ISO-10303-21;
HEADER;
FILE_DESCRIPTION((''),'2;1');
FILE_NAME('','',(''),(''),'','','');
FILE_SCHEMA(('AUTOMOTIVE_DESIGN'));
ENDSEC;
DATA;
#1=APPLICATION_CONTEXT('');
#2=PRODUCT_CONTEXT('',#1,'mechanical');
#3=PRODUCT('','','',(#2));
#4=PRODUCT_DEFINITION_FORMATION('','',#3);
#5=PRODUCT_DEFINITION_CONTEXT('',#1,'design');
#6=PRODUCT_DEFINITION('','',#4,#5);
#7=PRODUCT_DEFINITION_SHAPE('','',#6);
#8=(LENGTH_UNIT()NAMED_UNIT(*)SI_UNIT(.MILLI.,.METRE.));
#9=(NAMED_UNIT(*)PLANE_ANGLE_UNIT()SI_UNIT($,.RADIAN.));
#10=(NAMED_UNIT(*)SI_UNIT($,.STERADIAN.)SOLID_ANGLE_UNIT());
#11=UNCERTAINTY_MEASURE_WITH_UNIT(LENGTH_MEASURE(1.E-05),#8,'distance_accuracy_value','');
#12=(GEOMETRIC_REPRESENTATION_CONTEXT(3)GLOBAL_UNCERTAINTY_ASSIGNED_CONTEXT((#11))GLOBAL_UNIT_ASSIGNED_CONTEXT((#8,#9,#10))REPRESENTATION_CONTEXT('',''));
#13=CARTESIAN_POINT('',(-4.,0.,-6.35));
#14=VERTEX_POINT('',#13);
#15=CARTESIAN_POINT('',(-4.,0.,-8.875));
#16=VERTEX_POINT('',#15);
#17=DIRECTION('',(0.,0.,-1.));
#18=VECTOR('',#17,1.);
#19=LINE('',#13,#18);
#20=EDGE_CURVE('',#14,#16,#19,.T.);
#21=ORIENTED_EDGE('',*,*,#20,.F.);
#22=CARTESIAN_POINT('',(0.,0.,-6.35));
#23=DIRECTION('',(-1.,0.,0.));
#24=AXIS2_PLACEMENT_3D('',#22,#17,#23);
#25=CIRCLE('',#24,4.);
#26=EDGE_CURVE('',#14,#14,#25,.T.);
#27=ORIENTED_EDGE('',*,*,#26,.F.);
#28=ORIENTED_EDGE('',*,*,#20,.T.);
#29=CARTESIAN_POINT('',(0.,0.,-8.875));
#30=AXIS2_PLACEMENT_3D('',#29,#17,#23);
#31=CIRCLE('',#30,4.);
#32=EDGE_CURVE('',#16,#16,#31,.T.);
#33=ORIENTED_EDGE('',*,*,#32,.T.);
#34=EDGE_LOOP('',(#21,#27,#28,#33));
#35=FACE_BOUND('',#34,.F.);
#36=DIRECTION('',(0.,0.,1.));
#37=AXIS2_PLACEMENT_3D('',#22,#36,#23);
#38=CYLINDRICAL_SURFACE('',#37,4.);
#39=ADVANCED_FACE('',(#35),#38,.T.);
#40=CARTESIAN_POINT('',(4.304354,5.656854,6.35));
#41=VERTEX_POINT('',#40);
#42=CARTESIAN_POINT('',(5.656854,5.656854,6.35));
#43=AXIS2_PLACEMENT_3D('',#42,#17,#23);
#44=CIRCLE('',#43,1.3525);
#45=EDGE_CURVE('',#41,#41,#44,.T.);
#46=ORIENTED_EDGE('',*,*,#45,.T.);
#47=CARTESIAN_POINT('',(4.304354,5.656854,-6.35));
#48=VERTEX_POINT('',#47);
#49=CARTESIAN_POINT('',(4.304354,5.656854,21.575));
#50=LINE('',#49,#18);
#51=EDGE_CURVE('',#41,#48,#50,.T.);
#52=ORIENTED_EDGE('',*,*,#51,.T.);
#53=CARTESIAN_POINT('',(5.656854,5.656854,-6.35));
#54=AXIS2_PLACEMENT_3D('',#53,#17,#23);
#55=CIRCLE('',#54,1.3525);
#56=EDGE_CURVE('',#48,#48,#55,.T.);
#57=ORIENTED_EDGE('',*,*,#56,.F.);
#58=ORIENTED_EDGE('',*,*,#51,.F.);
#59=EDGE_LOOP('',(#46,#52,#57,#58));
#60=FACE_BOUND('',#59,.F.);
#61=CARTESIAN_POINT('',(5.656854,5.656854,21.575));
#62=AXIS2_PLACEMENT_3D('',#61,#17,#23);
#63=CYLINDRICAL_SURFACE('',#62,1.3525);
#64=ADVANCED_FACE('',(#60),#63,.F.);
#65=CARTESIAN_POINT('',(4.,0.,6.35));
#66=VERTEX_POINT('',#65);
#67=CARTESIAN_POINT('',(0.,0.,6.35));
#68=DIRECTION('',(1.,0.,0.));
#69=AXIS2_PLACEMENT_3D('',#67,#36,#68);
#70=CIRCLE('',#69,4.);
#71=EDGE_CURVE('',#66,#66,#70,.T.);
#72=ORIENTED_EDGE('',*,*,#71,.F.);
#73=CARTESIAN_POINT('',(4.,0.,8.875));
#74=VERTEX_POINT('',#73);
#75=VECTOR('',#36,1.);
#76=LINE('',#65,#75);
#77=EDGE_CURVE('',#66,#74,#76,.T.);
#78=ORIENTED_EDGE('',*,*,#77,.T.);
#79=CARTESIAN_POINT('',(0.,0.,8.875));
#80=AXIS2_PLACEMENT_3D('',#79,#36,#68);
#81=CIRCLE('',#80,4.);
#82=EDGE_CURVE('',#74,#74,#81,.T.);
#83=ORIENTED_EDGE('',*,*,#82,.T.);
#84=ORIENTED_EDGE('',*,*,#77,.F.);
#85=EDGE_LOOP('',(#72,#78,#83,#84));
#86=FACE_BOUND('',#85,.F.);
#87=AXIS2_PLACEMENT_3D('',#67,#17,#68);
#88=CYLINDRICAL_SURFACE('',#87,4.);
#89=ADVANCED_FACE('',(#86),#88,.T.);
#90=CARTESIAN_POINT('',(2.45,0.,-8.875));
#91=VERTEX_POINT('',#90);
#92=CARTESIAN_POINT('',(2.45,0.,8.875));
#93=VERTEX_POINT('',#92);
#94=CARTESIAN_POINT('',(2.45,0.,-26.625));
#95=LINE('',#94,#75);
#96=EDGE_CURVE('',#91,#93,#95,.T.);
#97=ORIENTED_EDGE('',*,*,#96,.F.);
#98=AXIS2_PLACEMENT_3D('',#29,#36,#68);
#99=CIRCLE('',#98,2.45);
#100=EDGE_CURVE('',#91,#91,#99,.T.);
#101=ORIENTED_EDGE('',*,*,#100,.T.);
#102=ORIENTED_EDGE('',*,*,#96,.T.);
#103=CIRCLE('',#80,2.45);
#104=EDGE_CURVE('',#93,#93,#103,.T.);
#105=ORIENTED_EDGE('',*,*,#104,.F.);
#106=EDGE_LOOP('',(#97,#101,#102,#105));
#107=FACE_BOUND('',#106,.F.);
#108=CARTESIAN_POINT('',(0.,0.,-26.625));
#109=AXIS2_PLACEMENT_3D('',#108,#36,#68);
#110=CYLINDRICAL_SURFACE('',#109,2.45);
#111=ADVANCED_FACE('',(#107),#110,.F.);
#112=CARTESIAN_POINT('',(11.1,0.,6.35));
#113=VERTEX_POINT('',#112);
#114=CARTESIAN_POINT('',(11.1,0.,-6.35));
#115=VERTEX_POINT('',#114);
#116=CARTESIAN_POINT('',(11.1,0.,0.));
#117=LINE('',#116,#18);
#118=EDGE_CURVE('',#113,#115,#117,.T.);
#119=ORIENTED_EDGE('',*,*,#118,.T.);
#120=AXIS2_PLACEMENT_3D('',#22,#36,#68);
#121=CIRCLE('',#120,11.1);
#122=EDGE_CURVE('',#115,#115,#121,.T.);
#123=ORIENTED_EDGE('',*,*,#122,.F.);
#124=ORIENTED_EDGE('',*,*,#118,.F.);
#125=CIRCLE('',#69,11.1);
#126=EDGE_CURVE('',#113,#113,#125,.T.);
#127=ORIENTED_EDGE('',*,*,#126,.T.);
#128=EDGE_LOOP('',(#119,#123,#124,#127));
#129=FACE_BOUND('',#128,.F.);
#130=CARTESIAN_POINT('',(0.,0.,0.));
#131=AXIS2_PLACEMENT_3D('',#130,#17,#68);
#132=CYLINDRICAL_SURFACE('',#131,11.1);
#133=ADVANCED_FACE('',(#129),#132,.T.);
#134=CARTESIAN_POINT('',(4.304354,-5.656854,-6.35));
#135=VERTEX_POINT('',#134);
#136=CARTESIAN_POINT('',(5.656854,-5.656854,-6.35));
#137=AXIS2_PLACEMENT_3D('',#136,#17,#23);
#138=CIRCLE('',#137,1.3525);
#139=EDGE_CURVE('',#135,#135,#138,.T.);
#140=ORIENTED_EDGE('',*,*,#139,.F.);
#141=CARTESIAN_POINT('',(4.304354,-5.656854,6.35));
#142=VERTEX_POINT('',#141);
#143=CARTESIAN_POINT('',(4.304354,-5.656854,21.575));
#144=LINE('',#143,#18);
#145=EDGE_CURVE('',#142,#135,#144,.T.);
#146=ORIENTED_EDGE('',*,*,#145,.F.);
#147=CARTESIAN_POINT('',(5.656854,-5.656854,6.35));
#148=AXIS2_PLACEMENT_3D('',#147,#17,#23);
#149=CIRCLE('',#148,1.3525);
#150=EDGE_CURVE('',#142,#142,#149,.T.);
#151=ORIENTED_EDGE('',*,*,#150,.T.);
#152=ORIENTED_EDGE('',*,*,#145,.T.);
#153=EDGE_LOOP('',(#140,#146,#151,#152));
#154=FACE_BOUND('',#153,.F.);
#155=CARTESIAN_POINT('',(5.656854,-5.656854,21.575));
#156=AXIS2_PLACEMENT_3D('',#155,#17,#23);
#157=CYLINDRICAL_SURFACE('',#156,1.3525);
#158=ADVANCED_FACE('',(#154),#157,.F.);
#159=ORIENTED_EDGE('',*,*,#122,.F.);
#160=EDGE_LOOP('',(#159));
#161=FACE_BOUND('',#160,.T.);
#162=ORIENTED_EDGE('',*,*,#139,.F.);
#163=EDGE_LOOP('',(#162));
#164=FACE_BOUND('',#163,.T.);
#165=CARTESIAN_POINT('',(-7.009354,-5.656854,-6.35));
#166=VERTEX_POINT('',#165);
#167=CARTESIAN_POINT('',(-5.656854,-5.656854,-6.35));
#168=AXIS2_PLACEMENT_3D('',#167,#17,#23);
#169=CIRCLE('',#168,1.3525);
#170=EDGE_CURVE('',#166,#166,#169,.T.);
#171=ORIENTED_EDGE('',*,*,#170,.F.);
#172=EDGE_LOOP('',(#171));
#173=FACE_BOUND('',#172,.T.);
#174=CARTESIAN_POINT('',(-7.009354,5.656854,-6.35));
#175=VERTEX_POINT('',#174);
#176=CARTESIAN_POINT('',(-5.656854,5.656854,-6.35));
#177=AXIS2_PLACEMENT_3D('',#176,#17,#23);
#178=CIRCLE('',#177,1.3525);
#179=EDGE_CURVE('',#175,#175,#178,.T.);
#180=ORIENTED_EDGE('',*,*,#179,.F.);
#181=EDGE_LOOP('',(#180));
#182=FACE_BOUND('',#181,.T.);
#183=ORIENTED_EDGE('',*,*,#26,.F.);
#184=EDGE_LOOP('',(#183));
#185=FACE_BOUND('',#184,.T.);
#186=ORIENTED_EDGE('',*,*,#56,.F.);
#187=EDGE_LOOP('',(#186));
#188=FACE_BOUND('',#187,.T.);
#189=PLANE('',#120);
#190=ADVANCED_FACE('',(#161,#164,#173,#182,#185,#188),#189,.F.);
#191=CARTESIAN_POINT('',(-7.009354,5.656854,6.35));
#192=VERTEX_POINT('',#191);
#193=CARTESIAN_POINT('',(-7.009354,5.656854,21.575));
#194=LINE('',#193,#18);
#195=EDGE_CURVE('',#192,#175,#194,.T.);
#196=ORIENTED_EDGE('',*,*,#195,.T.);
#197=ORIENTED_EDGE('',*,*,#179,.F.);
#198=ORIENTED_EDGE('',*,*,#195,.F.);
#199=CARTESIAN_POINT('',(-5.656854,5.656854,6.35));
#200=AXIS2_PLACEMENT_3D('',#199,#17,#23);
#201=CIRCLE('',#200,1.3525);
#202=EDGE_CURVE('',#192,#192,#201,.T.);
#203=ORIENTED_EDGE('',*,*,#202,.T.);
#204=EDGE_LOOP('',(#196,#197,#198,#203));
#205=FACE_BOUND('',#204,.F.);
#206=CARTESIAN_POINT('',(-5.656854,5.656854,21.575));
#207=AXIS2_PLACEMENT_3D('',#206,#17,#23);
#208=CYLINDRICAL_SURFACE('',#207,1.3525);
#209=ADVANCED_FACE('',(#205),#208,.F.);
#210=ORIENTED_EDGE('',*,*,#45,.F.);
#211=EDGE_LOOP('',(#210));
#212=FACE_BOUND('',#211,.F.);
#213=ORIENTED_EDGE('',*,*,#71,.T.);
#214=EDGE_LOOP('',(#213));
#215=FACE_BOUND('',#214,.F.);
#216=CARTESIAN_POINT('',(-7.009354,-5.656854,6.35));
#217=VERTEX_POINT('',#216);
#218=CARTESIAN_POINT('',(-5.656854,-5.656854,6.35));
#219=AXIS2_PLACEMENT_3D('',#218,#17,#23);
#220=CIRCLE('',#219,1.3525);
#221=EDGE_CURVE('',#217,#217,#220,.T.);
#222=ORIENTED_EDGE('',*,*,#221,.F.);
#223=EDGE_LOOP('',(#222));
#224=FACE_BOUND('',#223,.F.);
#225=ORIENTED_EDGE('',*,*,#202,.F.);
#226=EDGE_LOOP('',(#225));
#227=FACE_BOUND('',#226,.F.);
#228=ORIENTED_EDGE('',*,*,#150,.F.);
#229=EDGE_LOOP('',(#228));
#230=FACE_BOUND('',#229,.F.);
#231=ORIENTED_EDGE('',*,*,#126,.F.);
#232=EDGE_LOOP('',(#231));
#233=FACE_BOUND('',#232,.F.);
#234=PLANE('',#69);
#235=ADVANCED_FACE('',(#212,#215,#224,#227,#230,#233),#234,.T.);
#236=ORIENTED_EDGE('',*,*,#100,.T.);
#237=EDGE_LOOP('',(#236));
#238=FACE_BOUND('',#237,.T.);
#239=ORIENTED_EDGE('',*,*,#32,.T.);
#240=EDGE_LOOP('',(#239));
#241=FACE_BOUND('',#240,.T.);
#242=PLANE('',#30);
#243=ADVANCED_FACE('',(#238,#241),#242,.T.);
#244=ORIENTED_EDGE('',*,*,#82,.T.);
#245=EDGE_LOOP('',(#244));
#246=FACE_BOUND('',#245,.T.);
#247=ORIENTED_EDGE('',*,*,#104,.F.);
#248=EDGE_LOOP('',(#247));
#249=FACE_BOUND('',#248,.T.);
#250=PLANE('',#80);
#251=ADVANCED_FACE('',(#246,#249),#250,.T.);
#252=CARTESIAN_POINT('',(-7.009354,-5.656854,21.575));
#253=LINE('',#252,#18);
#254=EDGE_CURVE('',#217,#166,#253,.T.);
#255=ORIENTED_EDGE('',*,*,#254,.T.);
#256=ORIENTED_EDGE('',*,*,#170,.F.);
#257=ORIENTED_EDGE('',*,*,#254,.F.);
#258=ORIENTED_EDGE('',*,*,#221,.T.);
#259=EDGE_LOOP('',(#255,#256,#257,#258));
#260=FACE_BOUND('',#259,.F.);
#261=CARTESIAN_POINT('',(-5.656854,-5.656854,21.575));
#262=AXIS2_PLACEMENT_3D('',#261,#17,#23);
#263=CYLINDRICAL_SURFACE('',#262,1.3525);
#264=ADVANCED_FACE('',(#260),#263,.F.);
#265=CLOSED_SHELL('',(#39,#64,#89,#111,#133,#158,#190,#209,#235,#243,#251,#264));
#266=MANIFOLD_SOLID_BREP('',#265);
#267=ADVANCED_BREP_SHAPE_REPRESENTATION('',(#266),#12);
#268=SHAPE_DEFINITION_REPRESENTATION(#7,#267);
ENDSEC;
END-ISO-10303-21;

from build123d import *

# Parameters (mm, degrees)
SKETCH1_W                      = 11.1
SKETCH1_H                      = 12.7
SKETCH2_R                      = 4
BOSS_EXTRUDE1_DEPTH            = 2.525
SKETCH3_R                      = 4
BOSS_EXTRUDE2_DEPTH            = 2.525
M2_5_CLEARANCE_HOLE1_D         = 2.705
M2_5_CLEARANCE_HOLE1_DEPTH     = 15.225
F_4_9_4_9_DIAMETER_HOLE1_D     = 4.9
F_4_9_4_9_DIAMETER_HOLE1_DEPTH = 17.75


with BuildPart() as part:
    # Sketch1 → Revolve1 (revolve)
    with BuildSketch(Plane(origin=(0, 0, 0), x_dir=(1, 0, 0), z_dir=(0, 1, 0))):
        with Locations((5.55, 0)):
            Rectangle(SKETCH1_W, SKETCH1_H)
    revolve(axis=Axis((0, 0, -6.35), (0, 0, 1)))

    # Sketch2 → Boss-Extrude1 (add)
    with BuildSketch(Plane(origin=(0, 0, -6.35), x_dir=(-1, 0, 0), z_dir=(0, 0, -1))):
        Circle(SKETCH2_R)
    extrude(amount=BOSS_EXTRUDE1_DEPTH)

    # Sketch3 → Boss-Extrude2 (add)
    with BuildSketch(Plane.XY.offset(6.35)):
        Circle(SKETCH3_R)
    extrude(amount=BOSS_EXTRUDE2_DEPTH)

    # M2.5 Clearance Hole1
    with Locations(Plane.XY.offset(6.35)):
        with Locations((5.656854249, 5.656854249), (-5.656854249, 5.656854249), (-5.656854249, -5.656854249), (5.656854249, -5.656854249)):
            Hole(M2_5_CLEARANCE_HOLE1_D / 2, depth=M2_5_CLEARANCE_HOLE1_DEPTH)

    # Ø4.9 (4.9) Diameter Hole1
    with Locations(Plane(origin=(0, 0, -8.875), x_dir=(-1, 0, 0), z_dir=(0, 0, -1))):
        with Locations((0, 0)):
            Hole(F_4_9_4_9_DIAMETER_HOLE1_D / 2, depth=F_4_9_4_9_DIAMETER_HOLE1_DEPTH)


solid = part.part
